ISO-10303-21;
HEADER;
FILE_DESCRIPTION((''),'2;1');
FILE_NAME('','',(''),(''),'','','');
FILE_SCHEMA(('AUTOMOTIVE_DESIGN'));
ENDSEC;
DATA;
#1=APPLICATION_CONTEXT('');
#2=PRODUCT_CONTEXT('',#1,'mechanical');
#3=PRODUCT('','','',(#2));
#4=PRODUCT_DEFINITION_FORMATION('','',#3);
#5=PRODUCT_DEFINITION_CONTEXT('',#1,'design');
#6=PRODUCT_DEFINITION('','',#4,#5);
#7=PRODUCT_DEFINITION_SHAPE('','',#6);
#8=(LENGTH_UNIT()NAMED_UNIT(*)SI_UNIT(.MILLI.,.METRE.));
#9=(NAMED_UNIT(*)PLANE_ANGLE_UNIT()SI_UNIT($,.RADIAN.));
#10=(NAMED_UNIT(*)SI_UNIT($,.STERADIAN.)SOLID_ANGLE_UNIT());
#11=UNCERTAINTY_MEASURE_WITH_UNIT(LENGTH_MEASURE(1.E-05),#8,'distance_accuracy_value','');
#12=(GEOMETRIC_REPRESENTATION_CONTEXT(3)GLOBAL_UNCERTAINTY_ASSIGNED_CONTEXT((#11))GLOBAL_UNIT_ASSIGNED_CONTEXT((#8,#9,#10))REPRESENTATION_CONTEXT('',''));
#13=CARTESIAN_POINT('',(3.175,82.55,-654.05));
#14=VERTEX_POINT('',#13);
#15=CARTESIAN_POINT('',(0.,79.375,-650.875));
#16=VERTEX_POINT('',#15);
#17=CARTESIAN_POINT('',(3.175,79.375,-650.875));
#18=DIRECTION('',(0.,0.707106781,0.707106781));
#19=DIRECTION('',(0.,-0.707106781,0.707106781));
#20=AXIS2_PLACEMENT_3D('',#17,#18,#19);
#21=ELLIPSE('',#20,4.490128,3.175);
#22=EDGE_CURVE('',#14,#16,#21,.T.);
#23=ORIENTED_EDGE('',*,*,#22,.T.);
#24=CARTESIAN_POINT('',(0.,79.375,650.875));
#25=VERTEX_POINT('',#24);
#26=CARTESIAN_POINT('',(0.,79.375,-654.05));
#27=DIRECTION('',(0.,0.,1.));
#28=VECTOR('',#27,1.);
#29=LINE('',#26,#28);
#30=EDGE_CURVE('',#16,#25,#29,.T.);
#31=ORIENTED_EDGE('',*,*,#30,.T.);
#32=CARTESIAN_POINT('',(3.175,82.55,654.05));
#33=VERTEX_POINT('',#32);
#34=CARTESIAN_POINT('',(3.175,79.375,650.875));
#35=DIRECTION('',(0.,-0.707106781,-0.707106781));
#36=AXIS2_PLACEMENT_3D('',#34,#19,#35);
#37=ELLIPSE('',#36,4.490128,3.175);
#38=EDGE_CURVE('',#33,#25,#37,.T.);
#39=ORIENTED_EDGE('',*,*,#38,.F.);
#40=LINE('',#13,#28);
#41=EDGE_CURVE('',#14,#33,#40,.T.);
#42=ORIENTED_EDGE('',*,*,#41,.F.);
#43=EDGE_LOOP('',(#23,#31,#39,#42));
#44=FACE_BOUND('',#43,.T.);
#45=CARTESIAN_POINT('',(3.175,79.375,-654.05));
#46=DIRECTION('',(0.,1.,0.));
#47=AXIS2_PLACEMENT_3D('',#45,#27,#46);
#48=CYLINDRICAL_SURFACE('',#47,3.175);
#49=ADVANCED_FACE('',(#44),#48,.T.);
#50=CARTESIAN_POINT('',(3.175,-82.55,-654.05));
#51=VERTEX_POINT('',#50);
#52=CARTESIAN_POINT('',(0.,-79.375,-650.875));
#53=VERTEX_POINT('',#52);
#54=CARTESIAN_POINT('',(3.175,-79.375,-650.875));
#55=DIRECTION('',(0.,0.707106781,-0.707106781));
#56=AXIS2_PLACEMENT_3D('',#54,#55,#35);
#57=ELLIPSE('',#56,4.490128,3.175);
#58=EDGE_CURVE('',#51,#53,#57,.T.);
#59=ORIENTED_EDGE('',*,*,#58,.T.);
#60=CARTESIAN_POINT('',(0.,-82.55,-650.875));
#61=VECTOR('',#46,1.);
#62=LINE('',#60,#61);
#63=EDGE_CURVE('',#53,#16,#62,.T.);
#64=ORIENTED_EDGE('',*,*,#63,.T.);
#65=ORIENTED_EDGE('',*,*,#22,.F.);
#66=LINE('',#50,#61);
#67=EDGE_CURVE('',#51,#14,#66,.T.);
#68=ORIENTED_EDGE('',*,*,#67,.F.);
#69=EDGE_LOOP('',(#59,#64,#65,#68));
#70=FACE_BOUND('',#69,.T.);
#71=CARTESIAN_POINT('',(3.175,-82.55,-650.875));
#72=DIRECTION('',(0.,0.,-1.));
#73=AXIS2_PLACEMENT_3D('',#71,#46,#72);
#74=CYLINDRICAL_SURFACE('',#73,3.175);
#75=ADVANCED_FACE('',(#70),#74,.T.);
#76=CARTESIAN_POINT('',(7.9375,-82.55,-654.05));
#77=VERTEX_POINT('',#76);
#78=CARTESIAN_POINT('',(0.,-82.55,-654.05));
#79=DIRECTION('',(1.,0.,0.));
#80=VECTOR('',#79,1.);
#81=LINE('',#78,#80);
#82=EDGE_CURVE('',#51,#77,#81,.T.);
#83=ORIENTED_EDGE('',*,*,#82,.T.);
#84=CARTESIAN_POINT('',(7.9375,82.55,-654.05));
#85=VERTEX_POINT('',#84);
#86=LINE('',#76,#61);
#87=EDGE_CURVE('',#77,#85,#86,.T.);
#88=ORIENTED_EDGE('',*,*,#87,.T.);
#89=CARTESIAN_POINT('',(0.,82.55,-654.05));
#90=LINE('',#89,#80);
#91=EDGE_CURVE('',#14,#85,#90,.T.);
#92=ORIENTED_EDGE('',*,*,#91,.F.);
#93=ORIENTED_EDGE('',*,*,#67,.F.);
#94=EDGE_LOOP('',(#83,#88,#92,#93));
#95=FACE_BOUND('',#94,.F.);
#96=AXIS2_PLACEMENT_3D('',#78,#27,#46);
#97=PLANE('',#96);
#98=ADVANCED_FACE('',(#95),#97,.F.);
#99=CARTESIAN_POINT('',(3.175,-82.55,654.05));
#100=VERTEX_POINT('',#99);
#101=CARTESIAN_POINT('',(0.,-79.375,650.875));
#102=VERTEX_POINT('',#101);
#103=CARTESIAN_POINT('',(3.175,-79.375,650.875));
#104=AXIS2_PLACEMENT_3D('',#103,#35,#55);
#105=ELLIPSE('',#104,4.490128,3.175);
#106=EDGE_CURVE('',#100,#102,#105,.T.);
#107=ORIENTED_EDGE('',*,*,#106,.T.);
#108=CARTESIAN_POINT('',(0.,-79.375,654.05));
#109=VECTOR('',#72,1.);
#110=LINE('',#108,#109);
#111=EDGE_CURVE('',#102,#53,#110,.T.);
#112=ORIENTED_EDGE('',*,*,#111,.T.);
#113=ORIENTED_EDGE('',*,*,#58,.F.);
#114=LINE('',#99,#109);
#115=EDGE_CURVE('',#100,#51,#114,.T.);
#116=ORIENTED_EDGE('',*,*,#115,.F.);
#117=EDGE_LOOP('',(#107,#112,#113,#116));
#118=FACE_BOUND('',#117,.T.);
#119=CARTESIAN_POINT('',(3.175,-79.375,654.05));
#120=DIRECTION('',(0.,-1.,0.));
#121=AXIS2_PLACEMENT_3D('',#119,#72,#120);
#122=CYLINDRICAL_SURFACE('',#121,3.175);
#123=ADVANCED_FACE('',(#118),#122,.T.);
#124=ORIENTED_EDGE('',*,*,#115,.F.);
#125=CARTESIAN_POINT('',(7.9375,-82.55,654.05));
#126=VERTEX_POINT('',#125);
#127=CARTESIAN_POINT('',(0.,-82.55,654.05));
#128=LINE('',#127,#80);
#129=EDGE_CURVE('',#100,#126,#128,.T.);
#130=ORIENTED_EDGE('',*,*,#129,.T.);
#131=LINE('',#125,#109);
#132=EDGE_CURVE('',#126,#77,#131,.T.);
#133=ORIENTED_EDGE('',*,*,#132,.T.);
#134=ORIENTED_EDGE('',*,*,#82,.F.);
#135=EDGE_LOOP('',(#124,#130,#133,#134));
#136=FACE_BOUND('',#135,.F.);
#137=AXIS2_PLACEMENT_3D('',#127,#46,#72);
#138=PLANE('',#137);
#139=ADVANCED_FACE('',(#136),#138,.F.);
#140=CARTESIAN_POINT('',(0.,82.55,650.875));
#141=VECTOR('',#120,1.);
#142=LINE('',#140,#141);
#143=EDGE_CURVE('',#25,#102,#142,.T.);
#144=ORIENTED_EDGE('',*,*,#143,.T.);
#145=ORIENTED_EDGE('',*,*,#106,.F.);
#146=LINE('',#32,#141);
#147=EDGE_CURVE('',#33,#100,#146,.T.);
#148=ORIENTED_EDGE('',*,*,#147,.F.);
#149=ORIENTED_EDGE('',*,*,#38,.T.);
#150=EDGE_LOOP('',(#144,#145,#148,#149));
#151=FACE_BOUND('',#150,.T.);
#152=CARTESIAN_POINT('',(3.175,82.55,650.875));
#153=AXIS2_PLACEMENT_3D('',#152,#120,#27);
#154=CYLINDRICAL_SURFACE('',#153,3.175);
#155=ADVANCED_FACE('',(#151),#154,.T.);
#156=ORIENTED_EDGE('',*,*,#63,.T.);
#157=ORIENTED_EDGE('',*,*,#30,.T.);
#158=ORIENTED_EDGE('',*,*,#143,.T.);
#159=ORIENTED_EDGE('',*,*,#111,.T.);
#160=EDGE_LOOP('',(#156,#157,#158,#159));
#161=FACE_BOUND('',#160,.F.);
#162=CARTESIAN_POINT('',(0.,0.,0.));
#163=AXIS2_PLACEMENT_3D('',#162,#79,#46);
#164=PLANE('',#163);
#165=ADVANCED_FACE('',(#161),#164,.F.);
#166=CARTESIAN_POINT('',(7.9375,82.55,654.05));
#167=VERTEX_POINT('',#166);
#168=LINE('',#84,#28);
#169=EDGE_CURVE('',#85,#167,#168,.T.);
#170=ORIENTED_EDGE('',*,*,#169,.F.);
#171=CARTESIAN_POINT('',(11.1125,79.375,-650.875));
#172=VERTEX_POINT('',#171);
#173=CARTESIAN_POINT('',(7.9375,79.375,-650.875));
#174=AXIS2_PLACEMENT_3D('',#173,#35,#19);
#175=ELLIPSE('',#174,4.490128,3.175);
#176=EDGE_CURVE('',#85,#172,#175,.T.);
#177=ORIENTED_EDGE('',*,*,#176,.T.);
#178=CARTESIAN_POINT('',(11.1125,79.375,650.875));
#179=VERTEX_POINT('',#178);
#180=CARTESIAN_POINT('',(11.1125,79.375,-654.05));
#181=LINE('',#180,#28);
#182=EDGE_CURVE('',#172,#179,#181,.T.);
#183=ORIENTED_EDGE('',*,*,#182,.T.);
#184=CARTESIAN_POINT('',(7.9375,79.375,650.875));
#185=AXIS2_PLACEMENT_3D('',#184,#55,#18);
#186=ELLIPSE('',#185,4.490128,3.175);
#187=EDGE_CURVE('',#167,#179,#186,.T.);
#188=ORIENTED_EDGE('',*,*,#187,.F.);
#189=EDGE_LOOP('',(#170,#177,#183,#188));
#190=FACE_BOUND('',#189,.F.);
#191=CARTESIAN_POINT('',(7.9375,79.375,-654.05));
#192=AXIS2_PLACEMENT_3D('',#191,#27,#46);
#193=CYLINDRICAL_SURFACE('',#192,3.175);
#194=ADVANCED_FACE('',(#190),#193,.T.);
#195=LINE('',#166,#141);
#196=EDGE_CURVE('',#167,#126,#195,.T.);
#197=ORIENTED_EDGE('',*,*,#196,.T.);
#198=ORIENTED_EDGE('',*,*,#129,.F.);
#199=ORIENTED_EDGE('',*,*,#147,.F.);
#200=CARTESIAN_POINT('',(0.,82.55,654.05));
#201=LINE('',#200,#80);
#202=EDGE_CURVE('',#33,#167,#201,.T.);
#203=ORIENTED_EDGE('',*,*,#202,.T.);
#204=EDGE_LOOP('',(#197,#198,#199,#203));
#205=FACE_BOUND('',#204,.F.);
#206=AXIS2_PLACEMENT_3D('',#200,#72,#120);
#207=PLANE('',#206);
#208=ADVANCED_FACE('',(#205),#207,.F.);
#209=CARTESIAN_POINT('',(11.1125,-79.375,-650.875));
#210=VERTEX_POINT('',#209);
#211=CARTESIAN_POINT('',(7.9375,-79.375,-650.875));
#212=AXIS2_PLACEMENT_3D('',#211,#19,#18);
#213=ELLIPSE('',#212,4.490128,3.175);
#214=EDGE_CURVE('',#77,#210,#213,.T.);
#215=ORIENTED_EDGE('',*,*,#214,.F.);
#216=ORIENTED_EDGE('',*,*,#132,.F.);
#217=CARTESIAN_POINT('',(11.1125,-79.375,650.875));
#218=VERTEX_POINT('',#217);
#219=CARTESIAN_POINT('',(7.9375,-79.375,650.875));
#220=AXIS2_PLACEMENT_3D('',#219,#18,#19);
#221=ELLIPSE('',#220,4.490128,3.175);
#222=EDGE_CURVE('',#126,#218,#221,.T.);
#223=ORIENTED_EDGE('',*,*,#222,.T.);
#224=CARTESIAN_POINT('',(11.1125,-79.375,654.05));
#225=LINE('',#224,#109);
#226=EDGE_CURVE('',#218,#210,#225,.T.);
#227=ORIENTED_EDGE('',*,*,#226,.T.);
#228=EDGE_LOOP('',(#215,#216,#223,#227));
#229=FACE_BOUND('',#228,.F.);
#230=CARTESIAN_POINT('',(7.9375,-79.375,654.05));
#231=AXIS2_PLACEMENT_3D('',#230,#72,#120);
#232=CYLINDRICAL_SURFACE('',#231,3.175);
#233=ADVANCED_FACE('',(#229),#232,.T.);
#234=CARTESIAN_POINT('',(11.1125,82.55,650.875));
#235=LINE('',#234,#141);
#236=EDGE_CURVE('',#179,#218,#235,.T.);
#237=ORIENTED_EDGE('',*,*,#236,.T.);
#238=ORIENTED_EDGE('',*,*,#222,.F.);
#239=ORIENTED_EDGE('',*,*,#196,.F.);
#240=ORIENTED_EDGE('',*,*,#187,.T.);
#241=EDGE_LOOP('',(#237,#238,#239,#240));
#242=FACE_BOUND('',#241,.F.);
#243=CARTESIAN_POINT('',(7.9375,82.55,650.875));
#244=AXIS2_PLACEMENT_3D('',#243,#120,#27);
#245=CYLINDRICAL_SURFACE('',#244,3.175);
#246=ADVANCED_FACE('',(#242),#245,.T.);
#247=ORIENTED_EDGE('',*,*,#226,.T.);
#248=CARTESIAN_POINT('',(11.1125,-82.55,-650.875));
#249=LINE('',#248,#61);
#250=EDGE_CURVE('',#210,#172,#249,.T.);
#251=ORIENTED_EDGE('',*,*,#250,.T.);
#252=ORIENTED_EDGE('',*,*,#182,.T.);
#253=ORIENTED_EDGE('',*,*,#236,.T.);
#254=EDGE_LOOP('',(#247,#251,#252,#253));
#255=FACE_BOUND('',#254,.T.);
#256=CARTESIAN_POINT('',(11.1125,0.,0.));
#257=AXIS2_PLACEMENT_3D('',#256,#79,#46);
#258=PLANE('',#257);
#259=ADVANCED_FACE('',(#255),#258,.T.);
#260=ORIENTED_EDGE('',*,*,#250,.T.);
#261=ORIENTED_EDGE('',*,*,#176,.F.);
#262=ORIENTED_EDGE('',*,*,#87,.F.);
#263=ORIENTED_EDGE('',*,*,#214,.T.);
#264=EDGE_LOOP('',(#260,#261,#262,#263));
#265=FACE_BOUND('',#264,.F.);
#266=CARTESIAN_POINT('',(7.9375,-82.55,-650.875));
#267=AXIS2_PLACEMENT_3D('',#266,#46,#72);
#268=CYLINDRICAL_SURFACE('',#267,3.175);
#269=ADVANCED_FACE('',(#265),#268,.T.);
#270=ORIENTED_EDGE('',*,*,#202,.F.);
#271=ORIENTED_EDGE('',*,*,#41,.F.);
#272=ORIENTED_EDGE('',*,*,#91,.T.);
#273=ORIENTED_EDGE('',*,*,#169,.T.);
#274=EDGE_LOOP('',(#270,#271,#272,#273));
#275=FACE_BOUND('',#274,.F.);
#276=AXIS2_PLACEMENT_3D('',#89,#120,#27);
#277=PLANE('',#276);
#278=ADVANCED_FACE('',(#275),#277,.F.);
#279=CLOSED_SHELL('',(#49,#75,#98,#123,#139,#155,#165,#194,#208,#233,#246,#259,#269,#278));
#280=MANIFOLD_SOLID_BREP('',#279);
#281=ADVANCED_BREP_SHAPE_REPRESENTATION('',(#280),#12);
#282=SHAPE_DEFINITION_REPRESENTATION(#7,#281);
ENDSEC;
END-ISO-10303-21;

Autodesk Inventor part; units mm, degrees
ref_plane "YZ Plane" through (0, 0, 0) normal (1, 0, 0) x (0, 1, 0)
ref_plane "XZ Plane" through (0, 0, 0) normal (0, 1, 0) x (-1, 0, 0)
ref_plane "XY Plane" through (0, 0, 0) normal (0, 0, 1) x (1, 0, 0)
sketch "Sketch1" plane through (0, 0, 0) normal (1, 0, 0) x (0, 1, 0)
  line L0 (-82.55, 654.05) -> (-82.55, -654.05)
  line L1 (-82.55, -654.05) -> (82.55, -654.05)
  line L2 (82.55, -654.05) -> (82.55, 654.05)
  line L3 (82.55, 654.05) -> (-82.55, 654.05)
  line L4 (-82.55, 654.05) -> (82.55, -654.05) construction
  line L5 (-82.55, -654.05) -> (82.55, 654.05) construction
  point P0 (0, 0)
  dimension "d0" = 1308.1
  dimension "d1" = 165.1
extrude "Extrusion1" add sketch "Sketch1" along normal blind 11.1125
fillet "Fillet1" radius 3.175 8 edges at (11.1125, 82.55, 0) (11.1125, 0, 654.05) (0, -82.55, 0) (11.1125, 0, -654.05) (11.1125, -82.55, 0) (0, 0, 654.05) (0, 82.55, 0) (0, 0, -654.05)
properties part number "Home Depot Composite Slat 51_5 in" material "Wood (Cherry)"
